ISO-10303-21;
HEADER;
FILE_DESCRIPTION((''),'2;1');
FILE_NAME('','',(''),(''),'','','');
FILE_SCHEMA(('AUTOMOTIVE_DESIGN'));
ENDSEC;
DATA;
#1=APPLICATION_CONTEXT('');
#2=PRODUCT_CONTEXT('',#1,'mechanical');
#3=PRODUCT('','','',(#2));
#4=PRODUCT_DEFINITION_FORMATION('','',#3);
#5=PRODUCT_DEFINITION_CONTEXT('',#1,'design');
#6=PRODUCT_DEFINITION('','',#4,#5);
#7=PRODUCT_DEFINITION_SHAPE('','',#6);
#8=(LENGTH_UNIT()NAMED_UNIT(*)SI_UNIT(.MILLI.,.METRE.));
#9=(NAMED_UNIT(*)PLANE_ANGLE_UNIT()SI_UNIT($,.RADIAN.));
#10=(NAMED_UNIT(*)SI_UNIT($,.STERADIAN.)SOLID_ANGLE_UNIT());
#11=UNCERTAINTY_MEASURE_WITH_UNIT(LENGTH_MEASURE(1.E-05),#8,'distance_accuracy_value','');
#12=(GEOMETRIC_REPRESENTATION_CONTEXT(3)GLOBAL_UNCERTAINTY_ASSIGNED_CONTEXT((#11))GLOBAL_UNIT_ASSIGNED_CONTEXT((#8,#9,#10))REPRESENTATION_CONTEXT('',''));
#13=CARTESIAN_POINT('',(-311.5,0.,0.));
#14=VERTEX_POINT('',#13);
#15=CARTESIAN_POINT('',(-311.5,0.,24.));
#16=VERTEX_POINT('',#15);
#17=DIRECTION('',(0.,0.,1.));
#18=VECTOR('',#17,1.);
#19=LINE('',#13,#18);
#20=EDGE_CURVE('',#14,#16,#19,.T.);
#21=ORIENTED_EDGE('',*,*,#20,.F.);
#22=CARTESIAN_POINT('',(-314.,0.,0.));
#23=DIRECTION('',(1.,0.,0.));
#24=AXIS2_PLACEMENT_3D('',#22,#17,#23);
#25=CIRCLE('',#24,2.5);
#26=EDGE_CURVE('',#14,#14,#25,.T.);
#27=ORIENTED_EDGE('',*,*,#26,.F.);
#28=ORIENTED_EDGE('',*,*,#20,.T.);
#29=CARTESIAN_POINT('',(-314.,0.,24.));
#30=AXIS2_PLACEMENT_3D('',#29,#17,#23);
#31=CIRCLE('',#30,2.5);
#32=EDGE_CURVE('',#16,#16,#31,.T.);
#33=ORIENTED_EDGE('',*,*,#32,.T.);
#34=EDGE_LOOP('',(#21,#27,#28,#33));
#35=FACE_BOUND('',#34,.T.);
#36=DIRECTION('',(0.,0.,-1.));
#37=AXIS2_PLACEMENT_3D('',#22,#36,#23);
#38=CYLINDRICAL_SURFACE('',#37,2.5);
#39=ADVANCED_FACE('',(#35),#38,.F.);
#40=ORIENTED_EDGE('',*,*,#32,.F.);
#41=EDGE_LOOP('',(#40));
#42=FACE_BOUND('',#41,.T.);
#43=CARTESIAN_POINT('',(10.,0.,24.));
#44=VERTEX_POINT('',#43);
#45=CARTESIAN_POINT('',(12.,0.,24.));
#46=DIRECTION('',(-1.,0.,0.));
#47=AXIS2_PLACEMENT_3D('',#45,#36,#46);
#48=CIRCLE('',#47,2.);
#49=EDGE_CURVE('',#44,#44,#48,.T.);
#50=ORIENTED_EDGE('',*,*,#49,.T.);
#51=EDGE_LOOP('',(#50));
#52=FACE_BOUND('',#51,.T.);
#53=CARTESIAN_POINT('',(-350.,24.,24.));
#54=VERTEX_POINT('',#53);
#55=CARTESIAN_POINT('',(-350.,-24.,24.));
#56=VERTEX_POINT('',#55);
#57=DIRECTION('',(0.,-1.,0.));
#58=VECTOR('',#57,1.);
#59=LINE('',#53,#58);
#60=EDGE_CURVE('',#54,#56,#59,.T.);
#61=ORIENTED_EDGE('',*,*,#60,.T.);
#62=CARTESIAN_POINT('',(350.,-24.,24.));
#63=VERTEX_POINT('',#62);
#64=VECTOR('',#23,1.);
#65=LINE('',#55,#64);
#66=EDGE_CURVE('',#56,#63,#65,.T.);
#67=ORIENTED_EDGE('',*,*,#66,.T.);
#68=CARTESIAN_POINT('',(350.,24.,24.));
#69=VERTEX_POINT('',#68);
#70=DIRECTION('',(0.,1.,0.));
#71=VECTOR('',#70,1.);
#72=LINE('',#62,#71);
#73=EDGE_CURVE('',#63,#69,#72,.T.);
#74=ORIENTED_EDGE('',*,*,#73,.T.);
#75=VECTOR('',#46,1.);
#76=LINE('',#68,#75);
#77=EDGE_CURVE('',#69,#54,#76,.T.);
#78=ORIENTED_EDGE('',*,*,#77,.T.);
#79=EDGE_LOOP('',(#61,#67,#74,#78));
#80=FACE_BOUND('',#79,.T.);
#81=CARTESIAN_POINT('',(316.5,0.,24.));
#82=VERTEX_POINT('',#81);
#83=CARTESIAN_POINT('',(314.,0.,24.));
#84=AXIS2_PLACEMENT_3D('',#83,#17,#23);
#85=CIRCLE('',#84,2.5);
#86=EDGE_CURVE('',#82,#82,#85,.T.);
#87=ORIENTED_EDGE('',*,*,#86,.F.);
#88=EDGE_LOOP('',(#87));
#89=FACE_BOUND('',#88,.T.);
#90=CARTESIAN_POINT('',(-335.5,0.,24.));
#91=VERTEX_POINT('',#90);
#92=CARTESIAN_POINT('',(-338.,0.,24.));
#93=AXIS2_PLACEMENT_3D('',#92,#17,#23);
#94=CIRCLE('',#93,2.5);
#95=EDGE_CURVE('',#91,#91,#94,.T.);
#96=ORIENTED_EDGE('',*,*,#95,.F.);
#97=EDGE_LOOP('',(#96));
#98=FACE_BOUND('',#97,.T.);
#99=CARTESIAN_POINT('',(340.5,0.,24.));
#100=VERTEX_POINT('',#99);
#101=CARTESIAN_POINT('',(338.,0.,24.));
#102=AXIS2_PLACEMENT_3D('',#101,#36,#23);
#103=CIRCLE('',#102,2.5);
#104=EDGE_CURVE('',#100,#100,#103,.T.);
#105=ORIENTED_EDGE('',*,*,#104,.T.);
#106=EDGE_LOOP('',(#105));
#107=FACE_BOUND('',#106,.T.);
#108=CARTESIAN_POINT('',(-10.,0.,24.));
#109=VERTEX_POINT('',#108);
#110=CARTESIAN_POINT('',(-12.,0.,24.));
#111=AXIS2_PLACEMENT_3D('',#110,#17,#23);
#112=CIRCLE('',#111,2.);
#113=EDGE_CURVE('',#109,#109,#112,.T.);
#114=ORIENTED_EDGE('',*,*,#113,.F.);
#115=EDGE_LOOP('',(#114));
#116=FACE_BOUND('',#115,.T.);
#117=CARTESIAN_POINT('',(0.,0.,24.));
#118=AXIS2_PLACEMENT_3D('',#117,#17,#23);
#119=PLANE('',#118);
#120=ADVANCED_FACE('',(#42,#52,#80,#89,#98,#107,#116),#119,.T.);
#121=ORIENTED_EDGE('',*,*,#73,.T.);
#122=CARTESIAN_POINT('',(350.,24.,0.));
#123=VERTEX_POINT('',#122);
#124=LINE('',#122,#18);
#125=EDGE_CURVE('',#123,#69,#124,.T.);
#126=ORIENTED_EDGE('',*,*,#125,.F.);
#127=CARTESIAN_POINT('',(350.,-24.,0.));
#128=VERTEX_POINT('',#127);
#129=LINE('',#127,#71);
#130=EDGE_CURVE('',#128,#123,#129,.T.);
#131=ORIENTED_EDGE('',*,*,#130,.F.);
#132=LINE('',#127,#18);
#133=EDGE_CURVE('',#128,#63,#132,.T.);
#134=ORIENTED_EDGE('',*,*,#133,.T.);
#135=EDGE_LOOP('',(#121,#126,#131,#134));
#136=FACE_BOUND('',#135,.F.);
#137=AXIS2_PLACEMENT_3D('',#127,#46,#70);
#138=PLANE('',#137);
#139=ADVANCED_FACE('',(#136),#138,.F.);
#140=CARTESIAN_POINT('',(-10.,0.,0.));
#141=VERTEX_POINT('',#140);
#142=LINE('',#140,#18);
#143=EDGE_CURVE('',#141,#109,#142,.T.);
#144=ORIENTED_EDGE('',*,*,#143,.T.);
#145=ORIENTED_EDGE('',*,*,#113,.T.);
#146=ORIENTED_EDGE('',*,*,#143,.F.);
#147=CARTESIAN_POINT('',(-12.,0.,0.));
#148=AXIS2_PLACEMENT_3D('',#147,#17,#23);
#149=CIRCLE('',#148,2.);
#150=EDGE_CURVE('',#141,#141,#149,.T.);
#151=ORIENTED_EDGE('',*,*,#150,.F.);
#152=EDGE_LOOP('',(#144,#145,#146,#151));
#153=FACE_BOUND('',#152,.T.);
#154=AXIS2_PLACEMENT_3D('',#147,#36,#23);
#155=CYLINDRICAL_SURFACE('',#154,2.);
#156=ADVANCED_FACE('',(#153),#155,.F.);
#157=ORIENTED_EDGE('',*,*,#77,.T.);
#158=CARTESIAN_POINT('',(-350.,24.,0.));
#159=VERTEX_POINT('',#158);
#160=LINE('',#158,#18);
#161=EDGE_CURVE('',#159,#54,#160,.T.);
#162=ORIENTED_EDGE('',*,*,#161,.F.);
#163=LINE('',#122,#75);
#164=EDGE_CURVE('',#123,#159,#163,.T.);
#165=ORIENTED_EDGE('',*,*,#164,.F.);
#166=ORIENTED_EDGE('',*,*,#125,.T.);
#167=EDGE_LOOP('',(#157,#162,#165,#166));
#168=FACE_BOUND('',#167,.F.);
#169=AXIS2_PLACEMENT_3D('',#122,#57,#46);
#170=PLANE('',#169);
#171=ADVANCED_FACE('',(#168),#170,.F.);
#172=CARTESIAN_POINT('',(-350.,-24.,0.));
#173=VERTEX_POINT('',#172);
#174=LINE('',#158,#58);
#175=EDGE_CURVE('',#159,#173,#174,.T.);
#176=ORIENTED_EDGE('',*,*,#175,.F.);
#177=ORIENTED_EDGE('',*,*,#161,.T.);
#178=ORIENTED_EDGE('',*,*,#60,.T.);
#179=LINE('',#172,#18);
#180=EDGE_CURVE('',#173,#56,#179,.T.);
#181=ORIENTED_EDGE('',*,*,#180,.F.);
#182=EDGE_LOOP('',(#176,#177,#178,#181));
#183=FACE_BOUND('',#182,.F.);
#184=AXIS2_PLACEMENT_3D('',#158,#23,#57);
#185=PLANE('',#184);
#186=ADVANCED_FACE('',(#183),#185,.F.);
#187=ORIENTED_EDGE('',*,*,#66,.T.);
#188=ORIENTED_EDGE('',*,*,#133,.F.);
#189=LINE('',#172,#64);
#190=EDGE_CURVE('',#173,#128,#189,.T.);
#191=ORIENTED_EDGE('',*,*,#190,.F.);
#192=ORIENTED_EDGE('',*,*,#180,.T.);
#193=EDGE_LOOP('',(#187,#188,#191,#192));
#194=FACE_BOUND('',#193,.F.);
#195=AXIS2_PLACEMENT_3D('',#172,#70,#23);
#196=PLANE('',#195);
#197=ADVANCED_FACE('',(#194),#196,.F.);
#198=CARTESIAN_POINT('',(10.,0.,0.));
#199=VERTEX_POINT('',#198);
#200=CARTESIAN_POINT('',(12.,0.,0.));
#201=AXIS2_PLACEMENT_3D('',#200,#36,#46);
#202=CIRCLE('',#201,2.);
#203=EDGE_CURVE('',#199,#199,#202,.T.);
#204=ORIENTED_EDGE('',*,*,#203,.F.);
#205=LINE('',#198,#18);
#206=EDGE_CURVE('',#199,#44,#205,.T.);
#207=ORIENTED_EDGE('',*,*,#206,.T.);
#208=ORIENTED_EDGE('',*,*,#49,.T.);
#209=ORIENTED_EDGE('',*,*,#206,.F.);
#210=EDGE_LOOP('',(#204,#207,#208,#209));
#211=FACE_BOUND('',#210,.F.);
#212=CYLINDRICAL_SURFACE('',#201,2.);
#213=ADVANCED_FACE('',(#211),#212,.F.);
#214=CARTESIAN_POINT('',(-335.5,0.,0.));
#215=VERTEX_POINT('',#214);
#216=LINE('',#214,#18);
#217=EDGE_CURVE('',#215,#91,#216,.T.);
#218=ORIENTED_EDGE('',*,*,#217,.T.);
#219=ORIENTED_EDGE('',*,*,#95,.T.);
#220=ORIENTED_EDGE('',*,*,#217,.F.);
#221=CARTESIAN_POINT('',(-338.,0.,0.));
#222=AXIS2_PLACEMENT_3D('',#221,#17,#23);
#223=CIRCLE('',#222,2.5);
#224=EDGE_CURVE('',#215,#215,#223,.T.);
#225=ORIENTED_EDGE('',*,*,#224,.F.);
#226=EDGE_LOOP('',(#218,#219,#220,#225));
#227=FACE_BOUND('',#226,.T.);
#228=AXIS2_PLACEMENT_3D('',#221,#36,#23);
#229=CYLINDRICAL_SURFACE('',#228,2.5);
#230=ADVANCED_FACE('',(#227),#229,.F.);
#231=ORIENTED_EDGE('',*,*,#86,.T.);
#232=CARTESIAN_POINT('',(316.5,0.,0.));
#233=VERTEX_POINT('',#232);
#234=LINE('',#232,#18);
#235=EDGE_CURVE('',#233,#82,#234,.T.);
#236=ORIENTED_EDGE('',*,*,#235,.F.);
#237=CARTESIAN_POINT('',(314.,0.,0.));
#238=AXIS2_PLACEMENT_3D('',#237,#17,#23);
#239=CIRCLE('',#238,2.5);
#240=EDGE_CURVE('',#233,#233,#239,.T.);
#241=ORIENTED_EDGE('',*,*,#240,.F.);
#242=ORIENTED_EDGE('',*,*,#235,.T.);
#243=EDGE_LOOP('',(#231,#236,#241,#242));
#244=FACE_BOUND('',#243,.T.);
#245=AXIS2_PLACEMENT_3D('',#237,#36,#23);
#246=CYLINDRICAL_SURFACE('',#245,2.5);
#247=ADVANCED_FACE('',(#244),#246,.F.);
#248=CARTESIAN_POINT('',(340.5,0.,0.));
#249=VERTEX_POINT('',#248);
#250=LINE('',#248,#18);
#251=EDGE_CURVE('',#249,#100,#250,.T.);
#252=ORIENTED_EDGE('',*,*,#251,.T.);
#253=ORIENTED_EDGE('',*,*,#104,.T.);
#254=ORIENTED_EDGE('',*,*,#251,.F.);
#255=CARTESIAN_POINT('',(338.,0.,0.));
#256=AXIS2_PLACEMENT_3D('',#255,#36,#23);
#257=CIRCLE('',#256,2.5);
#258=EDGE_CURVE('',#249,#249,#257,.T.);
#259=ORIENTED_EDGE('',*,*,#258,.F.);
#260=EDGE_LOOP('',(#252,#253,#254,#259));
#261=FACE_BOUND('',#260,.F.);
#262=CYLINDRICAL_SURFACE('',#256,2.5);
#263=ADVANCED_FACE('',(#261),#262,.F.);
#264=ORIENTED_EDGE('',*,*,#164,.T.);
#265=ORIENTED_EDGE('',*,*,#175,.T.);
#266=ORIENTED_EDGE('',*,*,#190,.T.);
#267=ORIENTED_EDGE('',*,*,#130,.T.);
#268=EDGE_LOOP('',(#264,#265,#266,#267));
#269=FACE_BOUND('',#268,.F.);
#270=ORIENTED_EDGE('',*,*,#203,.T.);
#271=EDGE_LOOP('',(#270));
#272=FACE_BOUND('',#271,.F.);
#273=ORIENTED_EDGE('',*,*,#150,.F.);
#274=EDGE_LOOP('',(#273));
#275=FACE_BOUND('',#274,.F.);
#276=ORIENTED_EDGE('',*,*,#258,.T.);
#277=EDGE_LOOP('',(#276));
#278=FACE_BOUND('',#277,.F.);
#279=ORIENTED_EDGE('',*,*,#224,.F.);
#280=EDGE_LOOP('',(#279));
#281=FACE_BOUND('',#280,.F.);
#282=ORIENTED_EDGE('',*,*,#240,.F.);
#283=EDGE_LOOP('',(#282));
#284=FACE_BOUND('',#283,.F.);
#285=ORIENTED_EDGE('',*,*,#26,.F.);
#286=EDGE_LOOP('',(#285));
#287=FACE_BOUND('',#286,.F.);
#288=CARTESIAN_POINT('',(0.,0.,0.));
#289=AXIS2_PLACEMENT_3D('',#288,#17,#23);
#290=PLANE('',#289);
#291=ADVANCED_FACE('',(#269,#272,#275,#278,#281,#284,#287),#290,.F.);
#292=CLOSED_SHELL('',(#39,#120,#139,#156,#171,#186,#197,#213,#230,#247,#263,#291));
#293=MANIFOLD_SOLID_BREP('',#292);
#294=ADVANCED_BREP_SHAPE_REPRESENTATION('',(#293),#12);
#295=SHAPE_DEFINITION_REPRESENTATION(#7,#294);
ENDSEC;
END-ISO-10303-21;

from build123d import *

# Parameters (mm, degrees)
F1_R     = 2.5
F1_R_2   = 2
F2_DEPTH = 24


with BuildPart() as f2:
    # F1 (on Top) → F2 (new body)
    with BuildSketch(Plane.XY):
        Polygon((-350, -24), (350, -24), (350, 0), (350, 24), (-350, 24), align=None)
        with Locations((-338, 0)):
            Circle(F1_R, mode=Mode.SUBTRACT)
        with Locations((-314, 0)):
            Circle(F1_R, mode=Mode.SUBTRACT)
        with Locations((-12, 0)):
            Circle(F1_R_2, mode=Mode.SUBTRACT)
        with BuildLine():
            ThreePointArc((14, 0), (12, -2), (10, 0))
            ThreePointArc((10, 0), (12, 2), (14, 0))
        make_face(mode=Mode.SUBTRACT)
        with Locations((314, 0)):
            Circle(F1_R, mode=Mode.SUBTRACT)
        with BuildLine():
            ThreePointArc((335.5, 0), (338, 2.5), (340.5, 0))
            ThreePointArc((340.5, 0), (338, -2.5), (335.5, 0))
        make_face(mode=Mode.SUBTRACT)
    extrude(amount=F2_DEPTH)


solid = f2.part
